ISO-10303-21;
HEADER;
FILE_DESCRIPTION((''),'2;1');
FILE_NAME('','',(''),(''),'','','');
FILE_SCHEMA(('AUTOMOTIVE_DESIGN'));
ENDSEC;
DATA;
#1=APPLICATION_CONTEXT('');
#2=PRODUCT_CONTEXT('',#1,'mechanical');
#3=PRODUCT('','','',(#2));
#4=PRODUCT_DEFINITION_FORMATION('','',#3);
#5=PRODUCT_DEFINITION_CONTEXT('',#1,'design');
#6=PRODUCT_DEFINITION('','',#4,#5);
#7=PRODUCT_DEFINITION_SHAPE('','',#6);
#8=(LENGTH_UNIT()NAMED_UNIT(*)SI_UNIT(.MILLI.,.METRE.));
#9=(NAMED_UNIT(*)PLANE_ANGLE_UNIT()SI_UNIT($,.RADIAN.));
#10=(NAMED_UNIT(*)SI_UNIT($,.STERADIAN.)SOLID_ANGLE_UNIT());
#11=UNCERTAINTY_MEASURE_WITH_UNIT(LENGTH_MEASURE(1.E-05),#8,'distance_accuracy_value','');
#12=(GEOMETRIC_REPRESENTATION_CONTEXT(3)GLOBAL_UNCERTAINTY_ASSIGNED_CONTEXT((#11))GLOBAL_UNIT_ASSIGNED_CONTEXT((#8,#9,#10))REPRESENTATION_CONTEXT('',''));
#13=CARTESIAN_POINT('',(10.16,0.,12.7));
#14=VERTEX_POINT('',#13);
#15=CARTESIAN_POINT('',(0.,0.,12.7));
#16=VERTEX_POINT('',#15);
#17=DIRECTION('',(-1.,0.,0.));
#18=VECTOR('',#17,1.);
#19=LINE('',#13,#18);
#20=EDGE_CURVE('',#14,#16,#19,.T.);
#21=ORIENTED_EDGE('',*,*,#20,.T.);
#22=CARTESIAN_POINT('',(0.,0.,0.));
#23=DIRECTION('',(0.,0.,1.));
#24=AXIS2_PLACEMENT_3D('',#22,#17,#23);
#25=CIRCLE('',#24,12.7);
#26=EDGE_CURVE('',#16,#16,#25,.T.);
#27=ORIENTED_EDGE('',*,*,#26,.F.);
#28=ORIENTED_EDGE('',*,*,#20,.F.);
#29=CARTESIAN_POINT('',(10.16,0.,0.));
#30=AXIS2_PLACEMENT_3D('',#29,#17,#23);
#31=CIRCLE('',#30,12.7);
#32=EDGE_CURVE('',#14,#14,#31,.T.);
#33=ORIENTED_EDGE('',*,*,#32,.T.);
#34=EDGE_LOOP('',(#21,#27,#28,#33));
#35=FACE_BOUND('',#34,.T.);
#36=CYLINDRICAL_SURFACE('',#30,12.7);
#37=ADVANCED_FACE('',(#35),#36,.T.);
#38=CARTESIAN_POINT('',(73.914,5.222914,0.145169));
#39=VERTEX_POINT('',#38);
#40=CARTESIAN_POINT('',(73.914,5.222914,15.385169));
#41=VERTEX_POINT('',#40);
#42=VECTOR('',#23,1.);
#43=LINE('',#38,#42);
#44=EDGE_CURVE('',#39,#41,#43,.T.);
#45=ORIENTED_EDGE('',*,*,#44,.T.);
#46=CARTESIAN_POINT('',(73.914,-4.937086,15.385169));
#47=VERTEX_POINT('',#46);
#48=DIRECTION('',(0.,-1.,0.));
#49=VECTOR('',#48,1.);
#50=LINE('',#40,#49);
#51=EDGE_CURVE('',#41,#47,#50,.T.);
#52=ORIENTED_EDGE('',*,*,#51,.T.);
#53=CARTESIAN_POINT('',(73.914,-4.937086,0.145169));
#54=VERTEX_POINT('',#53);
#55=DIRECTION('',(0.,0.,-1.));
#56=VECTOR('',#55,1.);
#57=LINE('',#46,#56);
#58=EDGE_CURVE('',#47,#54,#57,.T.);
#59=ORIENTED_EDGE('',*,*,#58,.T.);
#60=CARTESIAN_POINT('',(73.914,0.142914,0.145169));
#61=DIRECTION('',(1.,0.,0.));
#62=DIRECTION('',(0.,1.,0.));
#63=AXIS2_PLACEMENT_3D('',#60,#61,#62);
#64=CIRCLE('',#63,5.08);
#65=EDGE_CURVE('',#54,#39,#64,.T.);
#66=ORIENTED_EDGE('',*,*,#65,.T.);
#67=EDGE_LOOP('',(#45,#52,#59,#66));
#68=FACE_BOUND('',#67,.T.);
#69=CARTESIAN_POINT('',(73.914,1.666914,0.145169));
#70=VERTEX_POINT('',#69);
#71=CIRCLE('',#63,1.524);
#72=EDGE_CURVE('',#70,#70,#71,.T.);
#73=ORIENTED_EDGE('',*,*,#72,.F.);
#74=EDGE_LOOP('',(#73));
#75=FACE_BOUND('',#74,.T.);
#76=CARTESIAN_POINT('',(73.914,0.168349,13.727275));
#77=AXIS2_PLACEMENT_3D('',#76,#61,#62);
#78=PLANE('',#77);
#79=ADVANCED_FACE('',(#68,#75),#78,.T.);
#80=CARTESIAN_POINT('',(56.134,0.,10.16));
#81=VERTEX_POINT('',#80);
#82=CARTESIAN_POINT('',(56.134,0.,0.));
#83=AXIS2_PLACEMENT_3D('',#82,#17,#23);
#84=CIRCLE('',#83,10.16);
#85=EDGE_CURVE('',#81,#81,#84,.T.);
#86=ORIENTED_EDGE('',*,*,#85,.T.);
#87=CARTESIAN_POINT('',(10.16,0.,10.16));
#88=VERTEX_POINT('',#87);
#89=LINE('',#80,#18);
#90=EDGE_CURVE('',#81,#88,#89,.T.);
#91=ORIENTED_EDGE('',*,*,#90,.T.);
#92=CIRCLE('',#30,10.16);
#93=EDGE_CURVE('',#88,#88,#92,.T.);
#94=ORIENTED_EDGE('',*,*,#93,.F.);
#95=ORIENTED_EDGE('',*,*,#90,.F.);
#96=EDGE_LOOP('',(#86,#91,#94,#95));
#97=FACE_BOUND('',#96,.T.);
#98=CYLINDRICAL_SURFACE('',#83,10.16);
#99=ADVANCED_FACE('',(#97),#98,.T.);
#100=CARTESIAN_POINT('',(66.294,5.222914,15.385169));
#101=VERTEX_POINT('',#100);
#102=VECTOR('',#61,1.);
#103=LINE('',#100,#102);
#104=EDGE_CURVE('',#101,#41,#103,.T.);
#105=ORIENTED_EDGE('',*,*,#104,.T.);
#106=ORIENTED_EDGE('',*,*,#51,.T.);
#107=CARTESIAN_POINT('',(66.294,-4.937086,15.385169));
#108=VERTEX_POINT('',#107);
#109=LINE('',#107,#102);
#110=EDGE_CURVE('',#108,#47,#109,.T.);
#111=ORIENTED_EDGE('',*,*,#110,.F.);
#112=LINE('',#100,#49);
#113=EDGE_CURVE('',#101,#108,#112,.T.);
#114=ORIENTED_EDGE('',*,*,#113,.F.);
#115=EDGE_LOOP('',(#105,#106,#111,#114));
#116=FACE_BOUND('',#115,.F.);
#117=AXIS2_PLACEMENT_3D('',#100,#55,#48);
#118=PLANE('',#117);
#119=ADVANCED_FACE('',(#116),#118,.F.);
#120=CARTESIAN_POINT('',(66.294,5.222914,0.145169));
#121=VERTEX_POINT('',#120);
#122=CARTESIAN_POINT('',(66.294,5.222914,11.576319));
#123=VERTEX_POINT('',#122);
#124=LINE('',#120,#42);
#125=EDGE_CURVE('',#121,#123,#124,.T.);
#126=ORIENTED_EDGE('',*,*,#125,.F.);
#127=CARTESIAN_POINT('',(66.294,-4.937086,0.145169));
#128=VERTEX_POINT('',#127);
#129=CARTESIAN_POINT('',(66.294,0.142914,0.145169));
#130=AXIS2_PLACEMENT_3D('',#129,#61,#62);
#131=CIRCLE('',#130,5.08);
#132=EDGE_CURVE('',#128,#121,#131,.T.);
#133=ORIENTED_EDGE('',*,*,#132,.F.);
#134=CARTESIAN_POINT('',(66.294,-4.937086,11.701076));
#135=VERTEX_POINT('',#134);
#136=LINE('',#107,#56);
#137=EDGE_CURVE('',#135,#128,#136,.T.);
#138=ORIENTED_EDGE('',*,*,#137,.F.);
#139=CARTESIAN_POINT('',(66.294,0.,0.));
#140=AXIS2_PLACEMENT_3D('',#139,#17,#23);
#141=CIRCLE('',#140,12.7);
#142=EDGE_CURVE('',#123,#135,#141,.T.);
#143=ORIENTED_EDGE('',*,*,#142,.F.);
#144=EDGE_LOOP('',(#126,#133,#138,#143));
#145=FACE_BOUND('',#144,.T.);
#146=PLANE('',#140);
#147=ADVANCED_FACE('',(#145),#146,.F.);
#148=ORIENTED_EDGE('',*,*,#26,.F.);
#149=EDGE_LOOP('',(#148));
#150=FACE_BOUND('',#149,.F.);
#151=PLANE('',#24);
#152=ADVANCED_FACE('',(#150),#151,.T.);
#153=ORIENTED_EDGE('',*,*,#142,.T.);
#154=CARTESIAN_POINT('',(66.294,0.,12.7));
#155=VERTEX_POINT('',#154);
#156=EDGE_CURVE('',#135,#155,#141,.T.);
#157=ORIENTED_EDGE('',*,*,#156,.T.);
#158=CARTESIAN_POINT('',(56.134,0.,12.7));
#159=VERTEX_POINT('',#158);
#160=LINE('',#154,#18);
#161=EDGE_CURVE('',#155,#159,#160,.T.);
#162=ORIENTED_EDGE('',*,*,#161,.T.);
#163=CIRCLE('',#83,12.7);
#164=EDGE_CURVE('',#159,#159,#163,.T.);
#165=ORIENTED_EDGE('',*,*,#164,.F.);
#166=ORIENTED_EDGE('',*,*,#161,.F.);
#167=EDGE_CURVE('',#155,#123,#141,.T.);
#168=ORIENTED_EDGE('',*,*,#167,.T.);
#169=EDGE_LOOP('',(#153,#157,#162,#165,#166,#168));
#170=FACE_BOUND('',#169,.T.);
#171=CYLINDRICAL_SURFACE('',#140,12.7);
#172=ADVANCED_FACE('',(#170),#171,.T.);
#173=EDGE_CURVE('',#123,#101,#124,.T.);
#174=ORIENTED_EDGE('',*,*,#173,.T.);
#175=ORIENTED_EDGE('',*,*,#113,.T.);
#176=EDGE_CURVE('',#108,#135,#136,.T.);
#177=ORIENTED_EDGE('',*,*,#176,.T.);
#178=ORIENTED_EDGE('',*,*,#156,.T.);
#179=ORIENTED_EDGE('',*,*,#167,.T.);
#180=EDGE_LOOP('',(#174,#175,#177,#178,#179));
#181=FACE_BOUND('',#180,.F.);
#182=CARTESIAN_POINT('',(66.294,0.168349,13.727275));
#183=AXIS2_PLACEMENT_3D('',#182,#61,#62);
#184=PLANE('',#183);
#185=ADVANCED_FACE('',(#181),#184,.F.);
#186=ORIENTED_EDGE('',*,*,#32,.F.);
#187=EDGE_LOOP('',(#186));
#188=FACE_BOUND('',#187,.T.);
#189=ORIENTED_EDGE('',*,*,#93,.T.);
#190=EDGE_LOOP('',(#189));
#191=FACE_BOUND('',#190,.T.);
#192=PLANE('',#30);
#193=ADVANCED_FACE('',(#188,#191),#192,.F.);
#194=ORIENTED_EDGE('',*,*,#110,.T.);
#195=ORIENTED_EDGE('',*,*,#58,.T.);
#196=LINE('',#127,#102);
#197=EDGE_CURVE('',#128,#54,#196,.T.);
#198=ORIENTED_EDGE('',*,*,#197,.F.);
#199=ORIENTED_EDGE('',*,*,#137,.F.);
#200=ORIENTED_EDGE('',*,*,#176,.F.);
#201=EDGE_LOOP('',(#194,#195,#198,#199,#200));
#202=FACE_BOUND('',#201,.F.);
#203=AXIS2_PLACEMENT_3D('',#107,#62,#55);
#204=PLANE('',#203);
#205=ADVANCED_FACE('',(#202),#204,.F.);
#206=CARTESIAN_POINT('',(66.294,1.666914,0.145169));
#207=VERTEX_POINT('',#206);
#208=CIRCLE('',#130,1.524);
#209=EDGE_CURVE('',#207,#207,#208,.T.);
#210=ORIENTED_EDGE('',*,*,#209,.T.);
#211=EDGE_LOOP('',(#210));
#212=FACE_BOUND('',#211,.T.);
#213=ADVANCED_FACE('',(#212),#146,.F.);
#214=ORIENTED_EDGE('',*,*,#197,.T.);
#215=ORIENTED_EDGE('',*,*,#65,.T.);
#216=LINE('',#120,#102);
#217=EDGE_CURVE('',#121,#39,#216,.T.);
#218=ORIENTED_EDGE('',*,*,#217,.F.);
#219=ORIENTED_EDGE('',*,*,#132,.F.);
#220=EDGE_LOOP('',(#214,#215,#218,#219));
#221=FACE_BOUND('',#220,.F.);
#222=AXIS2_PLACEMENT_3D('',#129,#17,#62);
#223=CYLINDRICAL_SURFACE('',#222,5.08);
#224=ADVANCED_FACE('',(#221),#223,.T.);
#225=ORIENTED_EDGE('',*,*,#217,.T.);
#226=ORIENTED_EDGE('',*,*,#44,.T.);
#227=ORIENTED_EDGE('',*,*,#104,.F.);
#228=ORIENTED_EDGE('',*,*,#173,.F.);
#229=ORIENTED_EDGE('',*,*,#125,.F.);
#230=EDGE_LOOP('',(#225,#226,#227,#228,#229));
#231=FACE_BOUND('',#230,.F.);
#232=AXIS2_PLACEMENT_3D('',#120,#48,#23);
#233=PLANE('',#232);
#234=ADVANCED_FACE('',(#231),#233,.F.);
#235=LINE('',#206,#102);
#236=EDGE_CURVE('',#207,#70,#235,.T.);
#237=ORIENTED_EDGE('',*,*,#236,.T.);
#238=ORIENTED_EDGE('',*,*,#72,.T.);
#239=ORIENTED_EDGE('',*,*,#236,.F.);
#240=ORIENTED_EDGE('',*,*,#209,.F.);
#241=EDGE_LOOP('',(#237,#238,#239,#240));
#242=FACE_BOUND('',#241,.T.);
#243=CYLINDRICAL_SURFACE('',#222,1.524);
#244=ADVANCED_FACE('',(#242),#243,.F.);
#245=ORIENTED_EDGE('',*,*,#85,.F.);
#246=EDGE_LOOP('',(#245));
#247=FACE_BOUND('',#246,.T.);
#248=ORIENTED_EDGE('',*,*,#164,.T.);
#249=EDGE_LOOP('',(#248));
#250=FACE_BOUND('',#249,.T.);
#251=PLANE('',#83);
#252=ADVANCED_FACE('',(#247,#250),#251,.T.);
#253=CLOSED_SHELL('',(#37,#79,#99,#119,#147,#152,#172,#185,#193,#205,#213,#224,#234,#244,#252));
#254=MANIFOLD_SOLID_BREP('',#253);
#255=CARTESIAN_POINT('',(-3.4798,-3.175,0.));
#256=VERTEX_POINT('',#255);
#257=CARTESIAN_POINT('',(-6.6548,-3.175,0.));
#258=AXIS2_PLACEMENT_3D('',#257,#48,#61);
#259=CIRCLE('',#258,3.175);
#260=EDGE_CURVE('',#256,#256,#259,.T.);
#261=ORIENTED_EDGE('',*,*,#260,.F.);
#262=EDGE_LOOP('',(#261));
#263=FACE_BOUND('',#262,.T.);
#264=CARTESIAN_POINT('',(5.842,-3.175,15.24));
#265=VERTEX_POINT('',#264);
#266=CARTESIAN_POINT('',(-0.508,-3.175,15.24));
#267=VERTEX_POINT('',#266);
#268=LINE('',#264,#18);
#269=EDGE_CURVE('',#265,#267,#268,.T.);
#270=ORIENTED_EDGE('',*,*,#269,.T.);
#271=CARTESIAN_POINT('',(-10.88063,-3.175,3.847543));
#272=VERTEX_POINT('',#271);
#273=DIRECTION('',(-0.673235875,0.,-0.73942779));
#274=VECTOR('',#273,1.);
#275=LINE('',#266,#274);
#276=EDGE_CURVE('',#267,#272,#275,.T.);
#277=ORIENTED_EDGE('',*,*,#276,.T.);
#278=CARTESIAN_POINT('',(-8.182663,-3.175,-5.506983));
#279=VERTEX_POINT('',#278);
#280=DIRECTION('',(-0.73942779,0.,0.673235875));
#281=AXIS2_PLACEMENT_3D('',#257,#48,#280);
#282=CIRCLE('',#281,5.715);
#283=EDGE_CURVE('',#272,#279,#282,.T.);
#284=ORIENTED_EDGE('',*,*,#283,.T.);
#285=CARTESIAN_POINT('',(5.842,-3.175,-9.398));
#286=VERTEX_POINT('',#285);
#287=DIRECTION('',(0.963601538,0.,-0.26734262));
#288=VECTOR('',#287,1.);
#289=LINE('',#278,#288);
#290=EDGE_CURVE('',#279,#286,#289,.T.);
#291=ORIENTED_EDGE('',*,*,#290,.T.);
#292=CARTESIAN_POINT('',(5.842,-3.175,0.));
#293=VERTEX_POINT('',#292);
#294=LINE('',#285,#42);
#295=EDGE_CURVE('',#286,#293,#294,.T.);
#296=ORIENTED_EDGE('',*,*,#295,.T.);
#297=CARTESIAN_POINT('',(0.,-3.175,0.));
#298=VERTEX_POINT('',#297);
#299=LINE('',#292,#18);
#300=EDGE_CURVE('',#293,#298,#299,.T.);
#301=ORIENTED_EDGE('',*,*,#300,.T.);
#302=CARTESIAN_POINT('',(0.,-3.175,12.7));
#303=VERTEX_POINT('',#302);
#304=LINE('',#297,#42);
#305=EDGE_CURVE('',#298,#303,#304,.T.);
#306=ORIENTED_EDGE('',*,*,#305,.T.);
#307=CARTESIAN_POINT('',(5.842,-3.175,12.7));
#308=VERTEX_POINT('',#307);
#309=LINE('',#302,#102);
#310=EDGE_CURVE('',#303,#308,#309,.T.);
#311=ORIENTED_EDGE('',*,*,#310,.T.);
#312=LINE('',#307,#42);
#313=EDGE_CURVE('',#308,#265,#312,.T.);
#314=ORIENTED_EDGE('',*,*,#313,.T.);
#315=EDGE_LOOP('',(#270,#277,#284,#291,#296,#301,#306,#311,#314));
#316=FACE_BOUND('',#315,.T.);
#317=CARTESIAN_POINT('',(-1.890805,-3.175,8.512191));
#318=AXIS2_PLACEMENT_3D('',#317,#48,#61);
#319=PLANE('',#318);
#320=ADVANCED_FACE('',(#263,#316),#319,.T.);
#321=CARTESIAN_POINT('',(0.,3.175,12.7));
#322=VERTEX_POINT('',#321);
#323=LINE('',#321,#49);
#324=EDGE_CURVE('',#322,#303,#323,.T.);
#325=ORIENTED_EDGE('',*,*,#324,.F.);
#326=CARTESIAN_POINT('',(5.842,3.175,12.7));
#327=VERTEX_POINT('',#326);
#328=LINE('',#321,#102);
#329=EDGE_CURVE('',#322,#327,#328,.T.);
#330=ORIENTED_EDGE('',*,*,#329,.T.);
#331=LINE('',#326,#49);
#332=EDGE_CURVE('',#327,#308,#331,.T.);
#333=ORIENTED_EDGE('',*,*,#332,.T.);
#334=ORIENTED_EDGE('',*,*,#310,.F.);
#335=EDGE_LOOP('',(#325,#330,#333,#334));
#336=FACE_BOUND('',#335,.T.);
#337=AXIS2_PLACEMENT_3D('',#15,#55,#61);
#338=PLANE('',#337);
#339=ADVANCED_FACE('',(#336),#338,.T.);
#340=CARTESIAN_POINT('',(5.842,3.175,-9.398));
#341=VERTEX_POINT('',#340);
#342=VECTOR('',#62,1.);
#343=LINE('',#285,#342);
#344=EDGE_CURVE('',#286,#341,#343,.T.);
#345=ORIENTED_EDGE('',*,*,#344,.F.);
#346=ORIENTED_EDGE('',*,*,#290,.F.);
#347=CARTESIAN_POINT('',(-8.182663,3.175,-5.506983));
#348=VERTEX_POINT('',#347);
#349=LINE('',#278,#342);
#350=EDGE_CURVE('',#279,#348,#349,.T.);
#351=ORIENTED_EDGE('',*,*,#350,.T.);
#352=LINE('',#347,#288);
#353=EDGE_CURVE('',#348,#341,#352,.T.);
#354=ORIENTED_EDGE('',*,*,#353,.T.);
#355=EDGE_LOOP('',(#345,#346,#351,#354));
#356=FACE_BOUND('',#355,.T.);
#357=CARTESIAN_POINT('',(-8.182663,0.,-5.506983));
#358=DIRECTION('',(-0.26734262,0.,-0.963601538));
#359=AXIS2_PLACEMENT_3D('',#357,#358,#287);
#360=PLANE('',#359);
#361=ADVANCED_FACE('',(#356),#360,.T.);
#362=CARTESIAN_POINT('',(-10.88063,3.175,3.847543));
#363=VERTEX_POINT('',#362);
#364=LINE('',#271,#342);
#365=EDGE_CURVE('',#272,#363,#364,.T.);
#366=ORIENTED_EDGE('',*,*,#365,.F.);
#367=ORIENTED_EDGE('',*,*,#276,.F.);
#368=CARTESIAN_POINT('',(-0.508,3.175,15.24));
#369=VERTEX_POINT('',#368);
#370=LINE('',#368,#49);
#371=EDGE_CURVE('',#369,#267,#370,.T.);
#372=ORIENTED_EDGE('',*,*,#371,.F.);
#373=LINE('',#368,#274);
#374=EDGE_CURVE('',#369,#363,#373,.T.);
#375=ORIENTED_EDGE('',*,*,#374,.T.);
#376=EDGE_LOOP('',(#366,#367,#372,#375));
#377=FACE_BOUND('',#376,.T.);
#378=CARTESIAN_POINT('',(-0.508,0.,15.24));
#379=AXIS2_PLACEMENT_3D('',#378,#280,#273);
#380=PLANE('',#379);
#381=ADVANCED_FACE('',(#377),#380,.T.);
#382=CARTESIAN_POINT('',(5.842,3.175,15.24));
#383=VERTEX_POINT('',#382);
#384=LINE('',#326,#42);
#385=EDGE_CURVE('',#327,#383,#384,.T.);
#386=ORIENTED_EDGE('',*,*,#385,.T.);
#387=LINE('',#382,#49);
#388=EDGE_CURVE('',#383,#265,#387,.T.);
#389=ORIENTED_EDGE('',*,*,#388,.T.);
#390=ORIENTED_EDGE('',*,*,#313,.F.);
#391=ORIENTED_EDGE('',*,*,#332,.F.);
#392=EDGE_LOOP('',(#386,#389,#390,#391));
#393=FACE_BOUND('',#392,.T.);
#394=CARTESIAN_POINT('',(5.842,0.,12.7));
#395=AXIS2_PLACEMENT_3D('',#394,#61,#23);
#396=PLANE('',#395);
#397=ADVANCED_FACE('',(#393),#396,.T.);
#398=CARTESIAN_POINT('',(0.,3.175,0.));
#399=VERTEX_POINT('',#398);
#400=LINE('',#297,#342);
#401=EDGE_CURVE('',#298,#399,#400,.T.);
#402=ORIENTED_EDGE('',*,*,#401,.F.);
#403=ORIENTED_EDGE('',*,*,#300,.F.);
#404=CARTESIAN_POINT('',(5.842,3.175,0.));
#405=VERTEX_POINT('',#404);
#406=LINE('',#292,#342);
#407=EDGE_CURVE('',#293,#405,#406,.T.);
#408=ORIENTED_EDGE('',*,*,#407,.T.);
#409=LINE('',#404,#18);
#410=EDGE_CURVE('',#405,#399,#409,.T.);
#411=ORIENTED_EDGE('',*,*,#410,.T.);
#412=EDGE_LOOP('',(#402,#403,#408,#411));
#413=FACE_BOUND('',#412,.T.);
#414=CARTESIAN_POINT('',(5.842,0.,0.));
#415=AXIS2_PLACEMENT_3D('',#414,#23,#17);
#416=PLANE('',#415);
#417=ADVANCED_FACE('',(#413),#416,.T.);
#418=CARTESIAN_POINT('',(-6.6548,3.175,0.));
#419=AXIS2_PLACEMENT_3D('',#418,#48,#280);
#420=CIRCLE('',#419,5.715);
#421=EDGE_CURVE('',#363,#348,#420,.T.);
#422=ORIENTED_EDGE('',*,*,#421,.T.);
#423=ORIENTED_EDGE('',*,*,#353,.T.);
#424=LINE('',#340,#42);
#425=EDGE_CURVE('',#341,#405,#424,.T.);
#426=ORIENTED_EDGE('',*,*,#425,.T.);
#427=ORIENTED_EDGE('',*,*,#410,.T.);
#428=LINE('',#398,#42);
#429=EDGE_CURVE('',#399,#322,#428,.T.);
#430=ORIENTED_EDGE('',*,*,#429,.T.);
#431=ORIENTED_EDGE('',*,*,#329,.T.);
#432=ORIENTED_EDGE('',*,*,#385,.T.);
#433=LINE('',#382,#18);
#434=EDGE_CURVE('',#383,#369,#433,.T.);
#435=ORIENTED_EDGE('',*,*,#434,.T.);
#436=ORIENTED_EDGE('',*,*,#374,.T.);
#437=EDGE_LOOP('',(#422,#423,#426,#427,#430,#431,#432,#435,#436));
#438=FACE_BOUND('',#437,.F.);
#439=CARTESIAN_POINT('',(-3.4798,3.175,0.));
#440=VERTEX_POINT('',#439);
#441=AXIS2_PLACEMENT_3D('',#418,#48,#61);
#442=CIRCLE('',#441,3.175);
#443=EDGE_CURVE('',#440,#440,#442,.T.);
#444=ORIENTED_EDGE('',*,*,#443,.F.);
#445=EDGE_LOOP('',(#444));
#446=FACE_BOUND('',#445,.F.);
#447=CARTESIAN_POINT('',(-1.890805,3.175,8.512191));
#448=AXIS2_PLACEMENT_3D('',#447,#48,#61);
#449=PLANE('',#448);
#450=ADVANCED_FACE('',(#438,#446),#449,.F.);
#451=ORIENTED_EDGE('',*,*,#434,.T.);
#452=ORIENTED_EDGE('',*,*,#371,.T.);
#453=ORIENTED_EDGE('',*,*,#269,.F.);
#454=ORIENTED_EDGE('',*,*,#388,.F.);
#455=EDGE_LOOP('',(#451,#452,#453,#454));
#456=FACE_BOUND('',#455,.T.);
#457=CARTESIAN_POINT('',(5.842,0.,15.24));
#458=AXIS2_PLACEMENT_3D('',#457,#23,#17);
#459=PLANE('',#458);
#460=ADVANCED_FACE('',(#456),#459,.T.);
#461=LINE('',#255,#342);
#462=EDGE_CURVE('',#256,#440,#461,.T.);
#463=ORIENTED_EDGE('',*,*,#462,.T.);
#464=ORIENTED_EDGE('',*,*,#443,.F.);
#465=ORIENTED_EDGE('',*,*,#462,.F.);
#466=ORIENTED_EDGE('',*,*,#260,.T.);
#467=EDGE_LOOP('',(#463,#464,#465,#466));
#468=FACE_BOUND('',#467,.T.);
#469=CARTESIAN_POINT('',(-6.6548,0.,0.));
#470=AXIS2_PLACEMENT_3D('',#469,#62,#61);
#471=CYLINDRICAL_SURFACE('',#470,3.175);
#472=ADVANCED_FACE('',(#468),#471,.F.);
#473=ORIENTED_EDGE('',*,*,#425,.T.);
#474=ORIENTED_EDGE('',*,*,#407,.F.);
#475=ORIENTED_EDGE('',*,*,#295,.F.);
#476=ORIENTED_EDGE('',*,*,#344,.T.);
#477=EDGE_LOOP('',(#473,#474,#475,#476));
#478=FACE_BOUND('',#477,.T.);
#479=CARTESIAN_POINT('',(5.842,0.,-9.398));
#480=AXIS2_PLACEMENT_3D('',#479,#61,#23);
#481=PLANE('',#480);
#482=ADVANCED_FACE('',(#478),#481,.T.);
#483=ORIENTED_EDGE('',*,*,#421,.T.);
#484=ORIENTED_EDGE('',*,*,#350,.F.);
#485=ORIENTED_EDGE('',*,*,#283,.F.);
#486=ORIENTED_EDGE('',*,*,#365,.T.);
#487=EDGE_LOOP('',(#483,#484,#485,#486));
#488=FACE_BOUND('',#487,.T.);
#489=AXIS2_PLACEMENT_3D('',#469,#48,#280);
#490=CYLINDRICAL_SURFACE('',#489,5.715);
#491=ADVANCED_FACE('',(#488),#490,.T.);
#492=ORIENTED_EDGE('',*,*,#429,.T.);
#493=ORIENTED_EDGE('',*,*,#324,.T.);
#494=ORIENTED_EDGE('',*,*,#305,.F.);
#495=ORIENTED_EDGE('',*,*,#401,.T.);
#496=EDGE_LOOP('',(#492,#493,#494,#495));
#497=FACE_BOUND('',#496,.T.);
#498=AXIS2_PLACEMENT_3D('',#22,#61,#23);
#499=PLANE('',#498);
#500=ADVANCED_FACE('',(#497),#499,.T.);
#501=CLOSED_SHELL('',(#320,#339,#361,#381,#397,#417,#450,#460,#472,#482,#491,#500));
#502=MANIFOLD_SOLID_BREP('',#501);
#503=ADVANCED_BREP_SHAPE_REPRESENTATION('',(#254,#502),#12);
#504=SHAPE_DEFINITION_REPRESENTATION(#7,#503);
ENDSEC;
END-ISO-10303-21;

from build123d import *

# Parameters (mm, degrees)
F0_W     = 5.842
F0_H     = 12.7
F0_R     = 3.175
F2_DEPTH = 3.175
F3_R     = 1.524
F4_DEPTH = 7.62


with BuildPart() as f1:
    # F0 (on Front) → F1 (revolve)
    with BuildSketch(Plane.XZ):
        with Locations((2.921, 6.35)):
            Rectangle(F0_W, F0_H)
        Polygon((5.842, 12.7), (5.842, 0), (66.294, 0), (66.294, 12.7), (56.134, 12.7), (56.134, 10.16), (10.16, 10.16), (10.16, 12.7), align=None)
    revolve(axis=Axis((33.147, 0, 0), (-1, 0, 0)))

    # F3 (on face) → F4 (join)
    with BuildSketch(Plane.YZ.offset(66.294)):
        with BuildLine():
            ThreePointArc((-4.9370855387, 11.7010762917), (0.1559347004, 12.6990426556), (5.2229144613, 11.576319127))
            Line((5.2229144613, 11.576319127), (5.2229144613, 15.3851687422))
            Line((5.2229144613, 15.3851687422), (-4.9370855387, 15.3851687422))
            Line((-4.9370855387, 15.3851687422), (-4.9370855387, 11.7010762917))
        make_face()
        with BuildLine():
            ThreePointArc((-4.9370855387, 0.1451687422), (0.1429144613, 5.2251687422), (5.2229144613, 0.1451687422))
            Line((5.2229144613, 0.1451687422), (5.2229144613, 11.576319127))
            ThreePointArc((5.2229144613, 11.576319127), (0.1559347004, 12.6990426556), (-4.9370855387, 11.7010762917))
            Line((-4.9370855387, 11.7010762917), (-4.9370855387, 0.1451687422))
        make_face()
        with BuildLine():
            ThreePointArc((-4.9370855387, 0.1451687422), (0.1429144613, -4.9348312578), (5.2229144613, 0.1451687422))
            ThreePointArc((5.2229144613, 0.1451687422), (0.1429144613, 5.2251687422), (-4.9370855387, 0.1451687422))
        make_face()
        with Locations((0.1429144613, 0.1451687422)):
            Circle(F3_R, mode=Mode.SUBTRACT)
    extrude(amount=F4_DEPTH)


with BuildPart() as f2:
    # F0 (on Front) → F2 (new body, symmetric)
    with BuildSketch(Plane.XZ):
        with BuildLine():
            Line((-0.9398, 0), (0, 0))
            Line((0, 0), (0, 12.7))
            Line((0, 12.7), (5.842, 12.7))
            Line((5.842, 12.7), (5.842, 15.24))
            Line((5.842, 15.24), (-0.508, 15.24))
            Line((-0.508, 15.24), (-10.8806298187, 3.8475430269))
            ThreePointArc((-10.8806298187, 3.8475430269), (-4.5919612295, 5.3297205562), (-0.9398, 0))
        make_face()
        with BuildLine():
            Line((5.842, 0), (0, 0))
            Line((0, 0), (-0.9398, 0))
            ThreePointArc((-0.9398, 0), (-3.1957909266, -4.5493385486), (-8.1826630726, -5.5069827884))
            Line((-8.1826630726, -5.5069827884), (5.842, -9.398))
            Line((5.842, -9.398), (5.842, 0))
        make_face()
        with BuildLine():
            ThreePointArc((-8.1826630726, -5.5069827884), (-3.1957909266, -4.5493385486), (-0.9398, 0))
            ThreePointArc((-0.9398, 0), (-4.5919612295, 5.3297205562), (-10.8806298187, 3.8475430269))
            ThreePointArc((-10.8806298187, 3.8475430269), (-12.1459778134, -1.5837270034), (-8.1826630726, -5.5069827884))
        make_face()
        with Locations((-6.6548, 0)):
            Circle(F0_R, mode=Mode.SUBTRACT)
    extrude(amount=F2_DEPTH, both=True)


solid = Compound([f1.part, f2.part])
